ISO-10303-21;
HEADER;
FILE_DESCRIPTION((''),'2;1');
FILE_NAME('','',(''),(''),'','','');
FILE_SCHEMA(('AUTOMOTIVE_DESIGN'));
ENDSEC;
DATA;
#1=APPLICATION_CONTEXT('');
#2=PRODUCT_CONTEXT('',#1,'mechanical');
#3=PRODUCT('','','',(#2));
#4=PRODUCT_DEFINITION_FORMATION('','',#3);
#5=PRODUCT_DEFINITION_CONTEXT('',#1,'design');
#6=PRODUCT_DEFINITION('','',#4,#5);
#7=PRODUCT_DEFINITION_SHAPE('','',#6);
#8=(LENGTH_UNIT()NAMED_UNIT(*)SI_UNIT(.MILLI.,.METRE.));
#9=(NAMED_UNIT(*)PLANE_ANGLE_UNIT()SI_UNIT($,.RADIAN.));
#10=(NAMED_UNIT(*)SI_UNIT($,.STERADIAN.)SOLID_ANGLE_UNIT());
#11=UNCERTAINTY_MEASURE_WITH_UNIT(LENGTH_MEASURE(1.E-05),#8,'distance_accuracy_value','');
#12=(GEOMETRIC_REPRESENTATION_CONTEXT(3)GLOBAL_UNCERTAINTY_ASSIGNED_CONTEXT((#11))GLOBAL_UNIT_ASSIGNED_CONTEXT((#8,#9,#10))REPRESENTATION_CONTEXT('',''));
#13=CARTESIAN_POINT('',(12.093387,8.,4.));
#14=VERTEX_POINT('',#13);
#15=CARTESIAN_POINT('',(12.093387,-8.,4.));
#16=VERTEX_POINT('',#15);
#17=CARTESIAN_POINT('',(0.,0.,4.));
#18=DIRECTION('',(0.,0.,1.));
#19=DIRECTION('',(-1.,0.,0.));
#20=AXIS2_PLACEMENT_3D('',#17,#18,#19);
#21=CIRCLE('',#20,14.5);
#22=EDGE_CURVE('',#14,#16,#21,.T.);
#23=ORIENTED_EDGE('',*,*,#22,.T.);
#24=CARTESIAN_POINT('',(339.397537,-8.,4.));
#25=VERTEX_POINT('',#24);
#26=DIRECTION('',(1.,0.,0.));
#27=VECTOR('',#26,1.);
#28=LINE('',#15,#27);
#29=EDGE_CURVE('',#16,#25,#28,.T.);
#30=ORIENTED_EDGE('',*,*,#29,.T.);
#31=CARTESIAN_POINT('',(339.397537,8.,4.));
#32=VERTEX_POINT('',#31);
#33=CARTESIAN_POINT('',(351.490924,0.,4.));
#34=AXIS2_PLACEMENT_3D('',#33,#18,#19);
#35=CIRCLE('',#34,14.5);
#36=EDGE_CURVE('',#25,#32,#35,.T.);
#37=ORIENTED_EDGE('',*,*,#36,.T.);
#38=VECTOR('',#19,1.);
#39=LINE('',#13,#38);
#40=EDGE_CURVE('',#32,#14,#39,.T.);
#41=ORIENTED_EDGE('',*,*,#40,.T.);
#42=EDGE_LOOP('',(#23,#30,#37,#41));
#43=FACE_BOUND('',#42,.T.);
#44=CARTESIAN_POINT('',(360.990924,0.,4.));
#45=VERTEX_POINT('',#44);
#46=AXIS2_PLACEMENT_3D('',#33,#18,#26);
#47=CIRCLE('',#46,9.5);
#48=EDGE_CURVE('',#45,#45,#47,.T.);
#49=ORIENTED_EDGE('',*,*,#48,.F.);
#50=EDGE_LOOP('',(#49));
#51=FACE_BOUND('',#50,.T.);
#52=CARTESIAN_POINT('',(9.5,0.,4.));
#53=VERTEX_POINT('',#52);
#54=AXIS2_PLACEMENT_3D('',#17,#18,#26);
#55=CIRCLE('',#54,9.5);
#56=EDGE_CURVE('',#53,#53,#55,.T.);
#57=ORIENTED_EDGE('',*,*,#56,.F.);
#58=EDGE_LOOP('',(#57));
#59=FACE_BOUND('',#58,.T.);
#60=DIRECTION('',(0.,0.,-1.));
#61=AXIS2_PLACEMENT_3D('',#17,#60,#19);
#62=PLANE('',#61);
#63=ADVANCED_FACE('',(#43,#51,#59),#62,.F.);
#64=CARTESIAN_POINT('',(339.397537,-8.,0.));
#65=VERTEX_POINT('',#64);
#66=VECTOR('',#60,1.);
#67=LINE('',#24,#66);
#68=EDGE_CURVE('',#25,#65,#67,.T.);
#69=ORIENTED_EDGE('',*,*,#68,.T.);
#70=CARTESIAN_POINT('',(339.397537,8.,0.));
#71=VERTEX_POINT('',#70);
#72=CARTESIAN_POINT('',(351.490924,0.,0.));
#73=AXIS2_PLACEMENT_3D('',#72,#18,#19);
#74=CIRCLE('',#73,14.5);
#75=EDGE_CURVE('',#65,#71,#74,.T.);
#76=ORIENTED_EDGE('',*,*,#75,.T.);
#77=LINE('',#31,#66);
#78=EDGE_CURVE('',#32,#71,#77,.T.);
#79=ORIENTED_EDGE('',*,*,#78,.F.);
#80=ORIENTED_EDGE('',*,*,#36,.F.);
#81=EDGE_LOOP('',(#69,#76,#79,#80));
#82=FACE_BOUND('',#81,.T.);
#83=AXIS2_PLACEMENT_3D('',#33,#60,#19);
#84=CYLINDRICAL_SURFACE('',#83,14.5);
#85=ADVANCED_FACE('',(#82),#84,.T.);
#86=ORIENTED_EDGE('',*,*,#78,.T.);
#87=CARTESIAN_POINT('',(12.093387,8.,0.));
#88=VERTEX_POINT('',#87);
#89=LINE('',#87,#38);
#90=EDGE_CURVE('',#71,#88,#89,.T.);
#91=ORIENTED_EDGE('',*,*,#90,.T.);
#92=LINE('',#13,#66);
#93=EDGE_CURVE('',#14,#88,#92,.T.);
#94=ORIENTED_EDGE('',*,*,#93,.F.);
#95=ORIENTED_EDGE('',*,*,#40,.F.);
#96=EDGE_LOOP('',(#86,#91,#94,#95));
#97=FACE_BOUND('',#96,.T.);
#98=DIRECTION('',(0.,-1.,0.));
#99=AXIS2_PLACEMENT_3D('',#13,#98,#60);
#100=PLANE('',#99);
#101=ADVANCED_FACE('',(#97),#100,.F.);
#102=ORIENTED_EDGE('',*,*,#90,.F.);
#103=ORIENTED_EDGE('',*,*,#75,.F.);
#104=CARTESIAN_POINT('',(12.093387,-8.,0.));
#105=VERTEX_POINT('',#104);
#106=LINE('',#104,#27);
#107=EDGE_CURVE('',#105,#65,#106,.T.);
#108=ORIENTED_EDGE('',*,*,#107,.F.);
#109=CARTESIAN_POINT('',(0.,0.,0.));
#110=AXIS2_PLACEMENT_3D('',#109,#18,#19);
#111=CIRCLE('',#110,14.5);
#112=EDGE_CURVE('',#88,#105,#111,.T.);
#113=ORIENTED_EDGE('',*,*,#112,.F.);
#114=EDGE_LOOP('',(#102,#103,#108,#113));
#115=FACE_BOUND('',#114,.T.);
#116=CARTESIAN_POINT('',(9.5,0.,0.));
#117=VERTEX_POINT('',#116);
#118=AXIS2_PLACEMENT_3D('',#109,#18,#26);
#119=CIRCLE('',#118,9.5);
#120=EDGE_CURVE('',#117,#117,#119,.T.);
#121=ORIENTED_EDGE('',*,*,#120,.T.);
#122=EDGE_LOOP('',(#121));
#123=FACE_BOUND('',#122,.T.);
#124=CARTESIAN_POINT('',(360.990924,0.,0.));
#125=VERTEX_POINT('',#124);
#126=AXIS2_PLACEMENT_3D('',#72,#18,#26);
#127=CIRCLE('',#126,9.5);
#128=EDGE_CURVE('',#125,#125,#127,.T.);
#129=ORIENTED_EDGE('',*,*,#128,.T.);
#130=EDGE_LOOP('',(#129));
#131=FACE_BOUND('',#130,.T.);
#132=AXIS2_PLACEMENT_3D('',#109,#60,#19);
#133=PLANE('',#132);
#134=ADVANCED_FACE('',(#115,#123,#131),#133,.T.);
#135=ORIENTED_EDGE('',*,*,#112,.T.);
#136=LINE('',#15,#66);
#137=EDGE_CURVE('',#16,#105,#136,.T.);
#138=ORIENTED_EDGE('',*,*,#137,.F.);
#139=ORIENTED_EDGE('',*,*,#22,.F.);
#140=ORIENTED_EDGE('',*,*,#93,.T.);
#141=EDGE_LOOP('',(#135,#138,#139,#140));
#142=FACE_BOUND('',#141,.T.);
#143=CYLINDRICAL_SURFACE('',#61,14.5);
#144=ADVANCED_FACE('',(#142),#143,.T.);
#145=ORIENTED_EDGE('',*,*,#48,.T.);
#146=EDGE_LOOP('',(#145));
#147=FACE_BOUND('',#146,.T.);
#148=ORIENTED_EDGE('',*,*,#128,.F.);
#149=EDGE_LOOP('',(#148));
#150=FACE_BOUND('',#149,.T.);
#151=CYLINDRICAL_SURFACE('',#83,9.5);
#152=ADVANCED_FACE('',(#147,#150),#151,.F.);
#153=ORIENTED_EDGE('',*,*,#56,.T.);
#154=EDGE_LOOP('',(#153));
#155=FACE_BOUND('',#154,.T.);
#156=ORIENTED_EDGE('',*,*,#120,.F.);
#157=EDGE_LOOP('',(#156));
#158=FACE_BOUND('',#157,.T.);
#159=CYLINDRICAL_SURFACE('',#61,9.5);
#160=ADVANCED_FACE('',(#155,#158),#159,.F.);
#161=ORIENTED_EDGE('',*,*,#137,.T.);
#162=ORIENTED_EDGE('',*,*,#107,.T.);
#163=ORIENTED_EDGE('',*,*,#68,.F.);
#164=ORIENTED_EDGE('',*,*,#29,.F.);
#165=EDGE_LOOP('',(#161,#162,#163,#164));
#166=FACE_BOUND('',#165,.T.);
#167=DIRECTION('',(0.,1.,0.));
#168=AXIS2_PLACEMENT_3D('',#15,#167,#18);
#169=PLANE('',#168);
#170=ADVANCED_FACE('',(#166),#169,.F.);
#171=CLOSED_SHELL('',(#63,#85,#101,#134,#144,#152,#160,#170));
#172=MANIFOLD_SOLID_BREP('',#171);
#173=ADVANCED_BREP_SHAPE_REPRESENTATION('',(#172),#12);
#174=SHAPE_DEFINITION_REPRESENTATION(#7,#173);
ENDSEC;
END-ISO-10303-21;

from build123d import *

# Parameters (mm, degrees)
SKETCH_1_R      = 9.5
EXTRUDE_1_DEPTH = 4


with BuildPart() as part:
    # 草图1 → 凸台-拉伸1 (new body)
    with BuildSketch(Plane.XY):
        with BuildLine():
            Line((12.093386622, 8), (339.397537141, 8))
            ThreePointArc((339.397537141, 8), (365.990923763, 0), (339.397537141, -8))
            Line((339.397537141, -8), (12.093386622, -8))
            ThreePointArc((12.093386622, -8), (-14.5, 0), (12.093386622, 8))
        make_face()
        Circle(SKETCH_1_R, mode=Mode.SUBTRACT)
        with Locations((351.490923763, 0)):
            Circle(SKETCH_1_R, mode=Mode.SUBTRACT)
    extrude(amount=EXTRUDE_1_DEPTH)


solid = part.part
